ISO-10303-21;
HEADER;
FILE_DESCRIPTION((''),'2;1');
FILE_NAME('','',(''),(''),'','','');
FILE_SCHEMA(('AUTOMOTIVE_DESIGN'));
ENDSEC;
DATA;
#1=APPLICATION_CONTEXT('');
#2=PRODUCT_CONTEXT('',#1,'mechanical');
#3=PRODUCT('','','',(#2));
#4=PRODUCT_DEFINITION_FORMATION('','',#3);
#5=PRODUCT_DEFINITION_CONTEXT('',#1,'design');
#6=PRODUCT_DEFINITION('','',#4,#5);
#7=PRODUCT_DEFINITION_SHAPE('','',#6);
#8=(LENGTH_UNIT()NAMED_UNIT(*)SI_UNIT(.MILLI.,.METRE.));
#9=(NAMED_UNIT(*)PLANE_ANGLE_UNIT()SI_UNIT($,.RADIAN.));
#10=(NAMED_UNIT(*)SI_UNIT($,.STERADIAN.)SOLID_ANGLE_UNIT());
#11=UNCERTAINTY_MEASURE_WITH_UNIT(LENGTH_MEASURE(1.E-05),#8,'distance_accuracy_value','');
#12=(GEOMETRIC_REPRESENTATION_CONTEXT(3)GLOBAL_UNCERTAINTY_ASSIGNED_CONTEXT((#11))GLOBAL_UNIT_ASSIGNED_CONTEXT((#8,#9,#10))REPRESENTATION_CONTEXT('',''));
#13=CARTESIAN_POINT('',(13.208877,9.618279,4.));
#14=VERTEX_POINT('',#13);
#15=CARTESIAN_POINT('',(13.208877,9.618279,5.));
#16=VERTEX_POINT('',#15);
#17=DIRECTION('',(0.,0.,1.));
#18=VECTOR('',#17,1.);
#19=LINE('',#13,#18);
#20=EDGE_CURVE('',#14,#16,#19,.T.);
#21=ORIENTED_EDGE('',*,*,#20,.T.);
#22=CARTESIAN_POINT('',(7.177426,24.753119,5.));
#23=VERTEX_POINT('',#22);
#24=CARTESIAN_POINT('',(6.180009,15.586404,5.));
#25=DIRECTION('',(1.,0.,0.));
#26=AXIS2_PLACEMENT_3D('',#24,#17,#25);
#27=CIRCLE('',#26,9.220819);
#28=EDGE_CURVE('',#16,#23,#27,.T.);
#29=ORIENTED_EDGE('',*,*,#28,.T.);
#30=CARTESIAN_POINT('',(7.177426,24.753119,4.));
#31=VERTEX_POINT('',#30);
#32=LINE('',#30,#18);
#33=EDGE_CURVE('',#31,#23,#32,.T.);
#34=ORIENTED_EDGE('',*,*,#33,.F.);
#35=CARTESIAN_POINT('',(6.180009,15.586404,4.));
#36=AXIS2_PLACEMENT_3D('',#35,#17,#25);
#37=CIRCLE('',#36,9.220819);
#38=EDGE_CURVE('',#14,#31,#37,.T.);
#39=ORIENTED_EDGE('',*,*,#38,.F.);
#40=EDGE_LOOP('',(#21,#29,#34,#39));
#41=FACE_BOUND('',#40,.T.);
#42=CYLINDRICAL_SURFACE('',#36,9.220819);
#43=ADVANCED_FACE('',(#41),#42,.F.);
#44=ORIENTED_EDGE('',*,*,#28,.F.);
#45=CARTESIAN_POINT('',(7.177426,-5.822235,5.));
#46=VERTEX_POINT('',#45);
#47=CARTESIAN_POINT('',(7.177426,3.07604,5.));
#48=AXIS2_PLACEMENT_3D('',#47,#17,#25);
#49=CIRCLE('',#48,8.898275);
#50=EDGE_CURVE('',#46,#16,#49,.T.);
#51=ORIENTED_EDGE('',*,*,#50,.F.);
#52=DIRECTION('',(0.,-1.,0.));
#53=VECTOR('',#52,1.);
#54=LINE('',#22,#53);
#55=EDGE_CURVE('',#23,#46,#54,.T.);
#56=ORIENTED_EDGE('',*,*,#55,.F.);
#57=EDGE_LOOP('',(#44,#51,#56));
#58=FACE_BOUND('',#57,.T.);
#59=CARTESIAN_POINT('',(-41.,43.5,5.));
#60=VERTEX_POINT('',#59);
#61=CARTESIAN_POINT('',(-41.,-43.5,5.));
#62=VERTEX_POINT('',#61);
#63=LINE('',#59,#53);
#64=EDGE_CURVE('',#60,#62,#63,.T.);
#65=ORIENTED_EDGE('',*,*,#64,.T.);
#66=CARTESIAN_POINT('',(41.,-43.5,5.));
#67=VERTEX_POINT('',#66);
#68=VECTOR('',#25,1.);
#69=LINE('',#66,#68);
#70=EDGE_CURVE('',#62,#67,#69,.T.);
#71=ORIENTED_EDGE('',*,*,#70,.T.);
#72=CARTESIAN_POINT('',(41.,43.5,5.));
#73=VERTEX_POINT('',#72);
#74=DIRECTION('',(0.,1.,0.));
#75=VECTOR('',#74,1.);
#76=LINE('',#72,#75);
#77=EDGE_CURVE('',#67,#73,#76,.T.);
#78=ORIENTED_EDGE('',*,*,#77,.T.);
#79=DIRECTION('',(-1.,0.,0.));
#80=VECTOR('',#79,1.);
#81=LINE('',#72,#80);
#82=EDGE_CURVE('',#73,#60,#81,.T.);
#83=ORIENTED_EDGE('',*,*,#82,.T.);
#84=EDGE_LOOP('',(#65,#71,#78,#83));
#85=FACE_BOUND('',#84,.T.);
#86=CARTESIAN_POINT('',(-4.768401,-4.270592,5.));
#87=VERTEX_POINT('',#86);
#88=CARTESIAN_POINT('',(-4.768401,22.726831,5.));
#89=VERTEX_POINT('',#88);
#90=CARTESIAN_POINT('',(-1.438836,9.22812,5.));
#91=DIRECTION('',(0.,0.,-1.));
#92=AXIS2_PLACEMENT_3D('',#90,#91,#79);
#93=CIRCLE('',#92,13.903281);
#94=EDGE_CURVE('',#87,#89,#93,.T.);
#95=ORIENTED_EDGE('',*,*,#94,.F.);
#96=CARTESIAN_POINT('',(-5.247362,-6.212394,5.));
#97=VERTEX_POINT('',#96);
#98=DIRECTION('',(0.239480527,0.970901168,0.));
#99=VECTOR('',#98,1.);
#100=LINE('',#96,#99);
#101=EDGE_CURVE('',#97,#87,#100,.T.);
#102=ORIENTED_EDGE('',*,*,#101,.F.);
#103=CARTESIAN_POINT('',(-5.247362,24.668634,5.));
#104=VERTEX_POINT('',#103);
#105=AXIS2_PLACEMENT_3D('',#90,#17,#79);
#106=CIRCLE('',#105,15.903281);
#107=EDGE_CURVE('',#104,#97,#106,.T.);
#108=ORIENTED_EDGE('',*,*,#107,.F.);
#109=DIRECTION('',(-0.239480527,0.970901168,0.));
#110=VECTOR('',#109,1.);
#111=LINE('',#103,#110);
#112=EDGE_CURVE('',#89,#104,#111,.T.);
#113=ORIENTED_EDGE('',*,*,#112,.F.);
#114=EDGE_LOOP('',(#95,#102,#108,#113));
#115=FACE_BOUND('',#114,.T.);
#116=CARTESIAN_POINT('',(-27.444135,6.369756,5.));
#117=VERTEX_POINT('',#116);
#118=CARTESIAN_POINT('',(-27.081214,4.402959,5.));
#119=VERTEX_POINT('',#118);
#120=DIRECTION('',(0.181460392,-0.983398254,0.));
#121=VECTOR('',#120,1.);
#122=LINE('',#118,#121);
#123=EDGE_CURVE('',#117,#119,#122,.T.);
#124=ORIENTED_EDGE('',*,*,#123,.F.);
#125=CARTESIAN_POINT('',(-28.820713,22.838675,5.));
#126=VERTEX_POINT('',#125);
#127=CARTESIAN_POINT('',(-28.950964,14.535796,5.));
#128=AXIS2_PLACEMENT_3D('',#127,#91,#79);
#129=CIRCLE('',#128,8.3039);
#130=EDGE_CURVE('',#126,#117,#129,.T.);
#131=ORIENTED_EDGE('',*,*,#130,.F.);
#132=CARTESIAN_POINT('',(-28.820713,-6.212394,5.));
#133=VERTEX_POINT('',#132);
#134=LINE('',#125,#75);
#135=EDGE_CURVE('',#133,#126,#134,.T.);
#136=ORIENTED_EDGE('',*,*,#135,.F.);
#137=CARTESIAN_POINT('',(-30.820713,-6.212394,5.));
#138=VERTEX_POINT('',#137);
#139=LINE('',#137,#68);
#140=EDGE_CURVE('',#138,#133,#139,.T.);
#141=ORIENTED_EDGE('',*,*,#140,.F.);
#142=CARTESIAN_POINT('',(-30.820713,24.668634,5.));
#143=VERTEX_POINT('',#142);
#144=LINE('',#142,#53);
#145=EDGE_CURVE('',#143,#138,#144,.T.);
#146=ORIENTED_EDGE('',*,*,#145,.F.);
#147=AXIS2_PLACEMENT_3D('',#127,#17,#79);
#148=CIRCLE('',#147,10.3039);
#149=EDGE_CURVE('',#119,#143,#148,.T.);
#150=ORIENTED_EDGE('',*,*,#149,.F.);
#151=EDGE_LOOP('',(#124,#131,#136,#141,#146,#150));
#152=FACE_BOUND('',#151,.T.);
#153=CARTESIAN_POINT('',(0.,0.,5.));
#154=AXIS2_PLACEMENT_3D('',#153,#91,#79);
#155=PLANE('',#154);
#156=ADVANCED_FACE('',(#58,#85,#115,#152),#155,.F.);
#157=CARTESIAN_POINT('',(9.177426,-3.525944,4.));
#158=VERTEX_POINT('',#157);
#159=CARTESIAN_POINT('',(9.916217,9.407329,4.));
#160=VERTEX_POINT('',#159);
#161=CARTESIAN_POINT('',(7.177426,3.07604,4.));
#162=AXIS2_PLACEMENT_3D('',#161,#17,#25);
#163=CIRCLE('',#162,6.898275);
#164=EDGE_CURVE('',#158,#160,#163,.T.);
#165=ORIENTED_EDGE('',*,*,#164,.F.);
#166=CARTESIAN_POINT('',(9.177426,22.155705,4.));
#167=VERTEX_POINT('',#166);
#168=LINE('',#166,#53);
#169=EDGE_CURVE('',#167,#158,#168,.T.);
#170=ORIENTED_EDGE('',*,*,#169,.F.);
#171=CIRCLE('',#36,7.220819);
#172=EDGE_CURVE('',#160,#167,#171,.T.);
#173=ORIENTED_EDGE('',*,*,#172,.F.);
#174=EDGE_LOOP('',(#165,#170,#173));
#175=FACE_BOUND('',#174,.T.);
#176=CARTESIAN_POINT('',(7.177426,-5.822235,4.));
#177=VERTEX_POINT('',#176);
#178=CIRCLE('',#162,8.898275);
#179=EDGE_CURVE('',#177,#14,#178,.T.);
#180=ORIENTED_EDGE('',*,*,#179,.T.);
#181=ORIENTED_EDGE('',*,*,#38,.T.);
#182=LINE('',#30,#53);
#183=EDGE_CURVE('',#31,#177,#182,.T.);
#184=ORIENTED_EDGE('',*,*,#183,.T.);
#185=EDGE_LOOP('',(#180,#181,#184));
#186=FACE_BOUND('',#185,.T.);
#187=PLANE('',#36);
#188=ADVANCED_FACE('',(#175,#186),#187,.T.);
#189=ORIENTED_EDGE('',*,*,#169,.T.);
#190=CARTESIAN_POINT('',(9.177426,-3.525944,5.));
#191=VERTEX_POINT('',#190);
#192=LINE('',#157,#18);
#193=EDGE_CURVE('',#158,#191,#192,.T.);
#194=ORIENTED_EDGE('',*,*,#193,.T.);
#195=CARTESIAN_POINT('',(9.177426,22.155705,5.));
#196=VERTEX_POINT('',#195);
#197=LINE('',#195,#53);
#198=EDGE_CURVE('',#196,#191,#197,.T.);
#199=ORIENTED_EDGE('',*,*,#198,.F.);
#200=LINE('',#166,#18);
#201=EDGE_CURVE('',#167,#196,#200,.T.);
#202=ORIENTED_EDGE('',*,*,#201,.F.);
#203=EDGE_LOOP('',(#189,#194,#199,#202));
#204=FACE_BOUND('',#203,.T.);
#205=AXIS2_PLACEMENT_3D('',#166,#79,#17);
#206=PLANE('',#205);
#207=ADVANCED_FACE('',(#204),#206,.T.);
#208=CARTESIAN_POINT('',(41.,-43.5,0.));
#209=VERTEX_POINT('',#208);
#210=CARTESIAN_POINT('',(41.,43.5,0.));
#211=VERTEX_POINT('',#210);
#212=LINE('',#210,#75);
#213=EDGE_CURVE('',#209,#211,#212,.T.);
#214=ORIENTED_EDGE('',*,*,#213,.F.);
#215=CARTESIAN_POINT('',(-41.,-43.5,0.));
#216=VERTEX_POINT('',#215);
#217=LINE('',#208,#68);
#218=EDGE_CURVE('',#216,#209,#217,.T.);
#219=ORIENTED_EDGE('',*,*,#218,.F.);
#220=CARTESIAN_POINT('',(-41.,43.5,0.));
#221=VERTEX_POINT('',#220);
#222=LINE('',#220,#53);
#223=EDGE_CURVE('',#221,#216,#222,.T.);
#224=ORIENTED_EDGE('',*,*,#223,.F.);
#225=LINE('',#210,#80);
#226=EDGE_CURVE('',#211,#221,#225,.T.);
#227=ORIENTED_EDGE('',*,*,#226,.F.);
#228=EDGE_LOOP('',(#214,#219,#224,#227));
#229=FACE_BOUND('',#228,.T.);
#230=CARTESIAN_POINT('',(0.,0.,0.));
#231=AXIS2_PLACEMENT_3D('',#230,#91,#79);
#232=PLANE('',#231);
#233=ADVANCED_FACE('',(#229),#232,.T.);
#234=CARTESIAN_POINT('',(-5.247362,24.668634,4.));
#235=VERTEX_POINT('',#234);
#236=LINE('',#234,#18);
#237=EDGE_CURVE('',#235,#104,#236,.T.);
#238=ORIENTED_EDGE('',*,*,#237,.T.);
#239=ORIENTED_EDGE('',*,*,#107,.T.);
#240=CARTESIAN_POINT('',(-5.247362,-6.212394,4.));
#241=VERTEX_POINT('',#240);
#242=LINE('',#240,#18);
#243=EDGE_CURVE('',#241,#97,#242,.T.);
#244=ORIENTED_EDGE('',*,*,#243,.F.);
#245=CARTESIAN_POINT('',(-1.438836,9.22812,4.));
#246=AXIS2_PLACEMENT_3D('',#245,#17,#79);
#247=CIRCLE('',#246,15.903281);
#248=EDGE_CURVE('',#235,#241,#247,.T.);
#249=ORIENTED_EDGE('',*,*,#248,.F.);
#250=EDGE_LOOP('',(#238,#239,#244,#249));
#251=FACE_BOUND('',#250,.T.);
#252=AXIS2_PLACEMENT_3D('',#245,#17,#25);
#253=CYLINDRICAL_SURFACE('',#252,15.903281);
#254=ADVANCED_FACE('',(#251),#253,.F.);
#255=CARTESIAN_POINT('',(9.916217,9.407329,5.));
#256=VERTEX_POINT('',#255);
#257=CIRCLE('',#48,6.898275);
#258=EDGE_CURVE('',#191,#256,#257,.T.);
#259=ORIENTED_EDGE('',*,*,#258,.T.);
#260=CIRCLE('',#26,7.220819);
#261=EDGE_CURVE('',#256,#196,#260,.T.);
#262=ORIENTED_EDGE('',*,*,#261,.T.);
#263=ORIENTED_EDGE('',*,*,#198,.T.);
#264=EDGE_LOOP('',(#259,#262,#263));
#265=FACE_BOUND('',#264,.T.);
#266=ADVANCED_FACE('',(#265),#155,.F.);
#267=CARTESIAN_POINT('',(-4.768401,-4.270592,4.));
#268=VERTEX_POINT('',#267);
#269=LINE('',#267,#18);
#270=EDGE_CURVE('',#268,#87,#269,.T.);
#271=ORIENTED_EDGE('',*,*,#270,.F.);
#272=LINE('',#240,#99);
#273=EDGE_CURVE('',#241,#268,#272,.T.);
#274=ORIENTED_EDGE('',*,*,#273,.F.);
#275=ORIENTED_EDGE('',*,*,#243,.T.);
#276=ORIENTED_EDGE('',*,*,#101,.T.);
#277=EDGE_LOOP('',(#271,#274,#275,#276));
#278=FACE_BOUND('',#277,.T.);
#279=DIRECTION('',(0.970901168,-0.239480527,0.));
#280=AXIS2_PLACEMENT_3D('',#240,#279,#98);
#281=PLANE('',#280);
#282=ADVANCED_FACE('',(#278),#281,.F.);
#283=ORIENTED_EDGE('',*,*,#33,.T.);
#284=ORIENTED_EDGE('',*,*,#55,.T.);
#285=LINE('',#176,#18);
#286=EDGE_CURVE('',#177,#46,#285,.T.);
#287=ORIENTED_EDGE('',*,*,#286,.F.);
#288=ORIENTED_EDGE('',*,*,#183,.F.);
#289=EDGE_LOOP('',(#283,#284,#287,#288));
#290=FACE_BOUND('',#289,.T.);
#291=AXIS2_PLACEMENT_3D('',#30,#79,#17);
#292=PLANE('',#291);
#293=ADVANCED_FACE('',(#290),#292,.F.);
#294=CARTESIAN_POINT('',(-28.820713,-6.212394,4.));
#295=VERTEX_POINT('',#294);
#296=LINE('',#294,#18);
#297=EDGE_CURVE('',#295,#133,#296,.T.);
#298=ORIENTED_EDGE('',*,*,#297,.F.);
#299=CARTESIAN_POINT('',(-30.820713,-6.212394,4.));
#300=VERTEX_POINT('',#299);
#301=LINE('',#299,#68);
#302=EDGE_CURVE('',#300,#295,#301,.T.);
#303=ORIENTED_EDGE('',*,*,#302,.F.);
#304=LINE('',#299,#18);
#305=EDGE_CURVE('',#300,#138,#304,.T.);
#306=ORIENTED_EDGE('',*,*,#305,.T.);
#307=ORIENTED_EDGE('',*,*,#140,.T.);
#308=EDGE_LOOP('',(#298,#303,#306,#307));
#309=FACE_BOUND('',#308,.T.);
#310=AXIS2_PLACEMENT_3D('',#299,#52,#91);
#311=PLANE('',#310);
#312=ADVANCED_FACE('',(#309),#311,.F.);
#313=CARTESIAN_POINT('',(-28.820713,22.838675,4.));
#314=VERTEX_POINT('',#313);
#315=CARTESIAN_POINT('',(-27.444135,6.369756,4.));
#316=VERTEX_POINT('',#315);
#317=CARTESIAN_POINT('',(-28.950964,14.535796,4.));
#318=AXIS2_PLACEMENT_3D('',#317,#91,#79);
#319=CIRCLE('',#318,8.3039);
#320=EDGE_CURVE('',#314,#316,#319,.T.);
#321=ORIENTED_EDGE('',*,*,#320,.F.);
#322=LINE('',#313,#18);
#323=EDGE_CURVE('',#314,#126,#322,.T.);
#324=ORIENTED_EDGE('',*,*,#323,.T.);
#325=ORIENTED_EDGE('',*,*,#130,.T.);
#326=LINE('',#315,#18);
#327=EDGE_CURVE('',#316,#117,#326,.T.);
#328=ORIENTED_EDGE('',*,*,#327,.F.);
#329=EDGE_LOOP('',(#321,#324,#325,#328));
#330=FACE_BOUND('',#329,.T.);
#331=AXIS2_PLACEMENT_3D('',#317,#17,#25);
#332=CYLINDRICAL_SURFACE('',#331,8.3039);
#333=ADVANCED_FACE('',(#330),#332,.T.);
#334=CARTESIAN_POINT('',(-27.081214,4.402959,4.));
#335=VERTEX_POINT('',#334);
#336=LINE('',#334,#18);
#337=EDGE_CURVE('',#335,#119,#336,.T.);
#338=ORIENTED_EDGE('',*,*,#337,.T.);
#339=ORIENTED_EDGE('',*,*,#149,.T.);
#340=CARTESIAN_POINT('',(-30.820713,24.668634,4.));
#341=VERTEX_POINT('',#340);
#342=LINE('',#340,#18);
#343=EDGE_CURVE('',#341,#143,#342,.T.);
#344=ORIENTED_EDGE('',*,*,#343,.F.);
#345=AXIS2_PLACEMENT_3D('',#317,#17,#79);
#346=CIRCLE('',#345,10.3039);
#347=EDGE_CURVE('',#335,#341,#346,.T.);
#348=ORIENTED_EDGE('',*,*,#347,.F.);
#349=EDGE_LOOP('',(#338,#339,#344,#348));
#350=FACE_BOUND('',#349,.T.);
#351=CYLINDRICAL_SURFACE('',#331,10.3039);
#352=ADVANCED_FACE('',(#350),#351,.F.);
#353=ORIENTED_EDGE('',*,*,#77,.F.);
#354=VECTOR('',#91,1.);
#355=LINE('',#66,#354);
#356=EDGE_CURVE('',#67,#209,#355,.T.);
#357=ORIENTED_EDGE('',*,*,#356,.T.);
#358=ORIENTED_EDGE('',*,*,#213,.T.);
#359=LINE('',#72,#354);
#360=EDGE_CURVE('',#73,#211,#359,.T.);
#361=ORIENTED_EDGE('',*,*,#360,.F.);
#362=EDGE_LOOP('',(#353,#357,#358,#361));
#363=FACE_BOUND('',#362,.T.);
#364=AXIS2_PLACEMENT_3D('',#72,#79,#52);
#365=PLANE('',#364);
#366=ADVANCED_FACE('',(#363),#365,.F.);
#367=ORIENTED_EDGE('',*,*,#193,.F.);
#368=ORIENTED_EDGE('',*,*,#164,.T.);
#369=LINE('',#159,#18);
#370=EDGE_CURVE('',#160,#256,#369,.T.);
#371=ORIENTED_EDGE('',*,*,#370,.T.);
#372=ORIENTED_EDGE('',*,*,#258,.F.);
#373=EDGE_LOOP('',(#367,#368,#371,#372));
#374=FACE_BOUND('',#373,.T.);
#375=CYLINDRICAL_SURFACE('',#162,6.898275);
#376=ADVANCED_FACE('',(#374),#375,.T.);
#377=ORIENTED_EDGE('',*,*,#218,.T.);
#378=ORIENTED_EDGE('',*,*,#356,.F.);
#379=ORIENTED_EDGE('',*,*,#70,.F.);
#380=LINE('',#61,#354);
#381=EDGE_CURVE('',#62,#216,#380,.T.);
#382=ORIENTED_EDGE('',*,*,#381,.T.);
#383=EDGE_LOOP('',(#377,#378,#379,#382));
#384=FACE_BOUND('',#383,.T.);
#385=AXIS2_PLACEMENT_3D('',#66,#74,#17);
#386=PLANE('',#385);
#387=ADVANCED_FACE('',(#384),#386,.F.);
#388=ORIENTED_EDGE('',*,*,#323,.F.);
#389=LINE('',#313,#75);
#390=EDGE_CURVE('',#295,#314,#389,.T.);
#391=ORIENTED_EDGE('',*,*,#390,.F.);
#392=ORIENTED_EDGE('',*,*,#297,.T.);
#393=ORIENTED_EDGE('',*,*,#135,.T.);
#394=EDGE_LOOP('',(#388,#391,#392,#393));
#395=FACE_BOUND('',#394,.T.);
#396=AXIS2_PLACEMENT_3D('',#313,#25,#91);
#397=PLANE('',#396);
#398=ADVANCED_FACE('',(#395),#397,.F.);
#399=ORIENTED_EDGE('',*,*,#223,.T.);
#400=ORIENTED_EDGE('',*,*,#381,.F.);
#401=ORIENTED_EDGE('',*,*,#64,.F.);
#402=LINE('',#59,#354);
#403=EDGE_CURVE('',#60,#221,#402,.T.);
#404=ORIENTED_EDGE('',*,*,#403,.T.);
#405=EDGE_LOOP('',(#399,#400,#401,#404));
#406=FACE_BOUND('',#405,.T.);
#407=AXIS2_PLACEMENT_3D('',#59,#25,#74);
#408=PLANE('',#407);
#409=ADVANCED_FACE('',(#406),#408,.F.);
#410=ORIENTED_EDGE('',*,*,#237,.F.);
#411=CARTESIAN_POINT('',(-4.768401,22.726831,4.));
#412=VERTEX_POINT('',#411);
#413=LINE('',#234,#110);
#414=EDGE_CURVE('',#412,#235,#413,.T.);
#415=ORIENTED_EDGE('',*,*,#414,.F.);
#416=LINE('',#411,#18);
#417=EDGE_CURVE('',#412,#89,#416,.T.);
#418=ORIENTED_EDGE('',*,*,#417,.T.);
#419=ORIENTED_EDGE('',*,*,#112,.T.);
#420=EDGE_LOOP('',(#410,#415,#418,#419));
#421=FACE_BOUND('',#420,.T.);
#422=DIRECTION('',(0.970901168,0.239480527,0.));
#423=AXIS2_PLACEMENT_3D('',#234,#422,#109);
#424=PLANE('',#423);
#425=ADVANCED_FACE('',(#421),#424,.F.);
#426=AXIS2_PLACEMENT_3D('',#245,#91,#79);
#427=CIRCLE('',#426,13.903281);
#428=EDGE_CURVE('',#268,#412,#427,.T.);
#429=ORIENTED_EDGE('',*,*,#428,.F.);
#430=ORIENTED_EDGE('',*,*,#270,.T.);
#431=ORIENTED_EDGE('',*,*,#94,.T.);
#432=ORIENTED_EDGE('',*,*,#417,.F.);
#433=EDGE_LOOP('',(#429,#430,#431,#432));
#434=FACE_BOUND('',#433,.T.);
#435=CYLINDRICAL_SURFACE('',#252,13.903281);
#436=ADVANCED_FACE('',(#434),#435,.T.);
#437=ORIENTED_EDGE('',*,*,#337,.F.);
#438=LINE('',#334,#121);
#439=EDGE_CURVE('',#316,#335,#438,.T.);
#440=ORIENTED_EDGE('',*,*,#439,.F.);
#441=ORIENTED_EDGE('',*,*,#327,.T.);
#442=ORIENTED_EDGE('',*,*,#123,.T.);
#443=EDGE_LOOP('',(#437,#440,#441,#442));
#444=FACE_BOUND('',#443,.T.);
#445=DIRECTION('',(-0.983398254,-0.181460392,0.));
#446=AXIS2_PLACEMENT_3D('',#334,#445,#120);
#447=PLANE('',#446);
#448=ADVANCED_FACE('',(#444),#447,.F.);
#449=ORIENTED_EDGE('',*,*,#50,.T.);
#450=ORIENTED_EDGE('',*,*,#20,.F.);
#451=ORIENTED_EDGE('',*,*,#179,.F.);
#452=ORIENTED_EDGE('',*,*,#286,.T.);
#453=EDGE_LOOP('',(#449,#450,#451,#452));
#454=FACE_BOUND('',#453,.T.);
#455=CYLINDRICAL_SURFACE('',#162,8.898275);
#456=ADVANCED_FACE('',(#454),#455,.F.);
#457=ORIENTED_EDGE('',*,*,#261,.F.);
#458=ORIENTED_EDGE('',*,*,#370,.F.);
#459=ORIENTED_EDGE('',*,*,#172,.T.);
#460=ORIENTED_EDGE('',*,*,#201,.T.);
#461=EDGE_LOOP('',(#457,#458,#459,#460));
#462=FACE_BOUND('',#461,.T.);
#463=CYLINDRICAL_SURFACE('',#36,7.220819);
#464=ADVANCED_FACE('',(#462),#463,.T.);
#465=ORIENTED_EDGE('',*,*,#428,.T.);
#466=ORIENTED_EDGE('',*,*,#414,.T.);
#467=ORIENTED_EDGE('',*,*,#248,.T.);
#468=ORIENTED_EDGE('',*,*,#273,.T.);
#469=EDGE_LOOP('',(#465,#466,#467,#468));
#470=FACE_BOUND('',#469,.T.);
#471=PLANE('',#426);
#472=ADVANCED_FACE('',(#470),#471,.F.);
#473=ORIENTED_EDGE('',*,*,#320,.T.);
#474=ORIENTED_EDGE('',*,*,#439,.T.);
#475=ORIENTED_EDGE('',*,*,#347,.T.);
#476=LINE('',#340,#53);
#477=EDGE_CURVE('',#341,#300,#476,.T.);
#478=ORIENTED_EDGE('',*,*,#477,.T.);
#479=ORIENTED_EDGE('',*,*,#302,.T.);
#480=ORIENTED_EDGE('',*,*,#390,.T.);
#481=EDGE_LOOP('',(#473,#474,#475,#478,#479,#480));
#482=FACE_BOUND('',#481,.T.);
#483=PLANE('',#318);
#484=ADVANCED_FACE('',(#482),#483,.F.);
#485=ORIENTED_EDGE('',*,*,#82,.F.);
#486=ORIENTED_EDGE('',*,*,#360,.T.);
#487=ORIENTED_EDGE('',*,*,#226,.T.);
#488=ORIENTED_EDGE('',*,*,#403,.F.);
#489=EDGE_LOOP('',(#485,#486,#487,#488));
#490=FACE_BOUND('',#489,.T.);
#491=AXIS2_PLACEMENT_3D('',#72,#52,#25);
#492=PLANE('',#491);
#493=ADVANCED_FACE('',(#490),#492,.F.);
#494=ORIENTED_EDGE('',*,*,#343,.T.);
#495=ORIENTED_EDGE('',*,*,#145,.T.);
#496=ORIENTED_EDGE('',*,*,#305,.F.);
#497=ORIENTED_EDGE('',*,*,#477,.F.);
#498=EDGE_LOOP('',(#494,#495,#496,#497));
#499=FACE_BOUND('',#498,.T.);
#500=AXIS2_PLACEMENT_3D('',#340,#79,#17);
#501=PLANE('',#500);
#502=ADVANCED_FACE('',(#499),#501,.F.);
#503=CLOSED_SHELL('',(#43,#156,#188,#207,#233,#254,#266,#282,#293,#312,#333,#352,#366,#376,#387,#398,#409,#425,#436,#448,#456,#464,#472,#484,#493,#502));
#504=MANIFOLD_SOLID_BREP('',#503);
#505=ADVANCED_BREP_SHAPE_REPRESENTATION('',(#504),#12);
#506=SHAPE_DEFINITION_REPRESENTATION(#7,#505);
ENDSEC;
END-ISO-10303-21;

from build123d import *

# Parameters (mm, degrees)
ESQUISSE1_W             = 82
ESQUISSE1_H             = 87
BOSS_EXTRU_1_DEPTH      = 5
ENL_V_MAT_EXTRU_1_DEPTH = 1


with BuildPart() as part:
    # Esquisse1 → Boss.-Extru.1 (new body)
    with BuildSketch(Plane.XY):
        Rectangle(ESQUISSE1_W, ESQUISSE1_H)
    extrude(amount=BOSS_EXTRU_1_DEPTH)

    # Esquisse2 → Enlèv. mat.-Extru.1 (cut)
    # profile 1 of 3: a face of its own
    with BuildSketch(Plane.XY.offset(5)):
        with BuildLine():
            Line((-30.820713327, 24.668633563), (-30.820713327, -6.212394271))
            Line((-30.820713327, -6.212394271), (-28.820713327, -6.212394271))
            Line((-28.820713327, -6.212394271), (-28.820713327, 22.838674714))
            ThreePointArc((-28.820713327, 22.838674714), (-20.675920897, 15.227477844), (-27.444134647, 6.369755555))
            Line((-27.444134647, 6.369755555), (-27.081213863, 4.402959047))
            ThreePointArc((-27.081213863, 4.402959047), (-18.818126337, 16.405546037), (-30.820713327, 24.668633563))
        make_face()
    # profile 2 of 3: a face of its own
    with BuildSketch(Plane.XY.offset(5)):
        with BuildLine():
            Line((-5.247362152, -6.212394271), (-4.768401098, -4.270591936))
            ThreePointArc((-4.768401098, -4.270591936), (-15.342116904, 9.228119646), (-4.768401098, 22.726831228))
            Line((-4.768401098, 22.726831228), (-5.247362152, 24.668633563))
            ThreePointArc((-5.247362152, 24.668633563), (-17.342116904, 9.228119646), (-5.247362152, -6.212394271))
        make_face()
    # profile 3 of 3: a face of its own
    with BuildSketch(Plane.XY.offset(5)):
        with BuildLine():
            Line((7.177426391, 24.753119096), (7.177426391, -5.822234801))
            ThreePointArc((7.177426391, -5.822234801), (15.465789743, -0.161602052), (13.20887714, 9.618279116))
            ThreePointArc((13.20887714, 9.618279116), (14.745705745, 18.999957145), (7.177426391, 24.753119096))
        make_face()
        with BuildLine():
            Line((9.177426391, 22.155705275), (9.177426391, -3.525944184))
            ThreePointArc((9.177426391, -3.525944184), (14.064473769, 2.682629125), (9.916217396, 9.407328648))
            ThreePointArc((9.916217396, 9.407328648), (13.388733311, 16.004162532), (9.177426391, 22.155705275))
        make_face(mode=Mode.SUBTRACT)
    extrude(amount=-ENL_V_MAT_EXTRU_1_DEPTH, mode=Mode.SUBTRACT)


solid = part.part
